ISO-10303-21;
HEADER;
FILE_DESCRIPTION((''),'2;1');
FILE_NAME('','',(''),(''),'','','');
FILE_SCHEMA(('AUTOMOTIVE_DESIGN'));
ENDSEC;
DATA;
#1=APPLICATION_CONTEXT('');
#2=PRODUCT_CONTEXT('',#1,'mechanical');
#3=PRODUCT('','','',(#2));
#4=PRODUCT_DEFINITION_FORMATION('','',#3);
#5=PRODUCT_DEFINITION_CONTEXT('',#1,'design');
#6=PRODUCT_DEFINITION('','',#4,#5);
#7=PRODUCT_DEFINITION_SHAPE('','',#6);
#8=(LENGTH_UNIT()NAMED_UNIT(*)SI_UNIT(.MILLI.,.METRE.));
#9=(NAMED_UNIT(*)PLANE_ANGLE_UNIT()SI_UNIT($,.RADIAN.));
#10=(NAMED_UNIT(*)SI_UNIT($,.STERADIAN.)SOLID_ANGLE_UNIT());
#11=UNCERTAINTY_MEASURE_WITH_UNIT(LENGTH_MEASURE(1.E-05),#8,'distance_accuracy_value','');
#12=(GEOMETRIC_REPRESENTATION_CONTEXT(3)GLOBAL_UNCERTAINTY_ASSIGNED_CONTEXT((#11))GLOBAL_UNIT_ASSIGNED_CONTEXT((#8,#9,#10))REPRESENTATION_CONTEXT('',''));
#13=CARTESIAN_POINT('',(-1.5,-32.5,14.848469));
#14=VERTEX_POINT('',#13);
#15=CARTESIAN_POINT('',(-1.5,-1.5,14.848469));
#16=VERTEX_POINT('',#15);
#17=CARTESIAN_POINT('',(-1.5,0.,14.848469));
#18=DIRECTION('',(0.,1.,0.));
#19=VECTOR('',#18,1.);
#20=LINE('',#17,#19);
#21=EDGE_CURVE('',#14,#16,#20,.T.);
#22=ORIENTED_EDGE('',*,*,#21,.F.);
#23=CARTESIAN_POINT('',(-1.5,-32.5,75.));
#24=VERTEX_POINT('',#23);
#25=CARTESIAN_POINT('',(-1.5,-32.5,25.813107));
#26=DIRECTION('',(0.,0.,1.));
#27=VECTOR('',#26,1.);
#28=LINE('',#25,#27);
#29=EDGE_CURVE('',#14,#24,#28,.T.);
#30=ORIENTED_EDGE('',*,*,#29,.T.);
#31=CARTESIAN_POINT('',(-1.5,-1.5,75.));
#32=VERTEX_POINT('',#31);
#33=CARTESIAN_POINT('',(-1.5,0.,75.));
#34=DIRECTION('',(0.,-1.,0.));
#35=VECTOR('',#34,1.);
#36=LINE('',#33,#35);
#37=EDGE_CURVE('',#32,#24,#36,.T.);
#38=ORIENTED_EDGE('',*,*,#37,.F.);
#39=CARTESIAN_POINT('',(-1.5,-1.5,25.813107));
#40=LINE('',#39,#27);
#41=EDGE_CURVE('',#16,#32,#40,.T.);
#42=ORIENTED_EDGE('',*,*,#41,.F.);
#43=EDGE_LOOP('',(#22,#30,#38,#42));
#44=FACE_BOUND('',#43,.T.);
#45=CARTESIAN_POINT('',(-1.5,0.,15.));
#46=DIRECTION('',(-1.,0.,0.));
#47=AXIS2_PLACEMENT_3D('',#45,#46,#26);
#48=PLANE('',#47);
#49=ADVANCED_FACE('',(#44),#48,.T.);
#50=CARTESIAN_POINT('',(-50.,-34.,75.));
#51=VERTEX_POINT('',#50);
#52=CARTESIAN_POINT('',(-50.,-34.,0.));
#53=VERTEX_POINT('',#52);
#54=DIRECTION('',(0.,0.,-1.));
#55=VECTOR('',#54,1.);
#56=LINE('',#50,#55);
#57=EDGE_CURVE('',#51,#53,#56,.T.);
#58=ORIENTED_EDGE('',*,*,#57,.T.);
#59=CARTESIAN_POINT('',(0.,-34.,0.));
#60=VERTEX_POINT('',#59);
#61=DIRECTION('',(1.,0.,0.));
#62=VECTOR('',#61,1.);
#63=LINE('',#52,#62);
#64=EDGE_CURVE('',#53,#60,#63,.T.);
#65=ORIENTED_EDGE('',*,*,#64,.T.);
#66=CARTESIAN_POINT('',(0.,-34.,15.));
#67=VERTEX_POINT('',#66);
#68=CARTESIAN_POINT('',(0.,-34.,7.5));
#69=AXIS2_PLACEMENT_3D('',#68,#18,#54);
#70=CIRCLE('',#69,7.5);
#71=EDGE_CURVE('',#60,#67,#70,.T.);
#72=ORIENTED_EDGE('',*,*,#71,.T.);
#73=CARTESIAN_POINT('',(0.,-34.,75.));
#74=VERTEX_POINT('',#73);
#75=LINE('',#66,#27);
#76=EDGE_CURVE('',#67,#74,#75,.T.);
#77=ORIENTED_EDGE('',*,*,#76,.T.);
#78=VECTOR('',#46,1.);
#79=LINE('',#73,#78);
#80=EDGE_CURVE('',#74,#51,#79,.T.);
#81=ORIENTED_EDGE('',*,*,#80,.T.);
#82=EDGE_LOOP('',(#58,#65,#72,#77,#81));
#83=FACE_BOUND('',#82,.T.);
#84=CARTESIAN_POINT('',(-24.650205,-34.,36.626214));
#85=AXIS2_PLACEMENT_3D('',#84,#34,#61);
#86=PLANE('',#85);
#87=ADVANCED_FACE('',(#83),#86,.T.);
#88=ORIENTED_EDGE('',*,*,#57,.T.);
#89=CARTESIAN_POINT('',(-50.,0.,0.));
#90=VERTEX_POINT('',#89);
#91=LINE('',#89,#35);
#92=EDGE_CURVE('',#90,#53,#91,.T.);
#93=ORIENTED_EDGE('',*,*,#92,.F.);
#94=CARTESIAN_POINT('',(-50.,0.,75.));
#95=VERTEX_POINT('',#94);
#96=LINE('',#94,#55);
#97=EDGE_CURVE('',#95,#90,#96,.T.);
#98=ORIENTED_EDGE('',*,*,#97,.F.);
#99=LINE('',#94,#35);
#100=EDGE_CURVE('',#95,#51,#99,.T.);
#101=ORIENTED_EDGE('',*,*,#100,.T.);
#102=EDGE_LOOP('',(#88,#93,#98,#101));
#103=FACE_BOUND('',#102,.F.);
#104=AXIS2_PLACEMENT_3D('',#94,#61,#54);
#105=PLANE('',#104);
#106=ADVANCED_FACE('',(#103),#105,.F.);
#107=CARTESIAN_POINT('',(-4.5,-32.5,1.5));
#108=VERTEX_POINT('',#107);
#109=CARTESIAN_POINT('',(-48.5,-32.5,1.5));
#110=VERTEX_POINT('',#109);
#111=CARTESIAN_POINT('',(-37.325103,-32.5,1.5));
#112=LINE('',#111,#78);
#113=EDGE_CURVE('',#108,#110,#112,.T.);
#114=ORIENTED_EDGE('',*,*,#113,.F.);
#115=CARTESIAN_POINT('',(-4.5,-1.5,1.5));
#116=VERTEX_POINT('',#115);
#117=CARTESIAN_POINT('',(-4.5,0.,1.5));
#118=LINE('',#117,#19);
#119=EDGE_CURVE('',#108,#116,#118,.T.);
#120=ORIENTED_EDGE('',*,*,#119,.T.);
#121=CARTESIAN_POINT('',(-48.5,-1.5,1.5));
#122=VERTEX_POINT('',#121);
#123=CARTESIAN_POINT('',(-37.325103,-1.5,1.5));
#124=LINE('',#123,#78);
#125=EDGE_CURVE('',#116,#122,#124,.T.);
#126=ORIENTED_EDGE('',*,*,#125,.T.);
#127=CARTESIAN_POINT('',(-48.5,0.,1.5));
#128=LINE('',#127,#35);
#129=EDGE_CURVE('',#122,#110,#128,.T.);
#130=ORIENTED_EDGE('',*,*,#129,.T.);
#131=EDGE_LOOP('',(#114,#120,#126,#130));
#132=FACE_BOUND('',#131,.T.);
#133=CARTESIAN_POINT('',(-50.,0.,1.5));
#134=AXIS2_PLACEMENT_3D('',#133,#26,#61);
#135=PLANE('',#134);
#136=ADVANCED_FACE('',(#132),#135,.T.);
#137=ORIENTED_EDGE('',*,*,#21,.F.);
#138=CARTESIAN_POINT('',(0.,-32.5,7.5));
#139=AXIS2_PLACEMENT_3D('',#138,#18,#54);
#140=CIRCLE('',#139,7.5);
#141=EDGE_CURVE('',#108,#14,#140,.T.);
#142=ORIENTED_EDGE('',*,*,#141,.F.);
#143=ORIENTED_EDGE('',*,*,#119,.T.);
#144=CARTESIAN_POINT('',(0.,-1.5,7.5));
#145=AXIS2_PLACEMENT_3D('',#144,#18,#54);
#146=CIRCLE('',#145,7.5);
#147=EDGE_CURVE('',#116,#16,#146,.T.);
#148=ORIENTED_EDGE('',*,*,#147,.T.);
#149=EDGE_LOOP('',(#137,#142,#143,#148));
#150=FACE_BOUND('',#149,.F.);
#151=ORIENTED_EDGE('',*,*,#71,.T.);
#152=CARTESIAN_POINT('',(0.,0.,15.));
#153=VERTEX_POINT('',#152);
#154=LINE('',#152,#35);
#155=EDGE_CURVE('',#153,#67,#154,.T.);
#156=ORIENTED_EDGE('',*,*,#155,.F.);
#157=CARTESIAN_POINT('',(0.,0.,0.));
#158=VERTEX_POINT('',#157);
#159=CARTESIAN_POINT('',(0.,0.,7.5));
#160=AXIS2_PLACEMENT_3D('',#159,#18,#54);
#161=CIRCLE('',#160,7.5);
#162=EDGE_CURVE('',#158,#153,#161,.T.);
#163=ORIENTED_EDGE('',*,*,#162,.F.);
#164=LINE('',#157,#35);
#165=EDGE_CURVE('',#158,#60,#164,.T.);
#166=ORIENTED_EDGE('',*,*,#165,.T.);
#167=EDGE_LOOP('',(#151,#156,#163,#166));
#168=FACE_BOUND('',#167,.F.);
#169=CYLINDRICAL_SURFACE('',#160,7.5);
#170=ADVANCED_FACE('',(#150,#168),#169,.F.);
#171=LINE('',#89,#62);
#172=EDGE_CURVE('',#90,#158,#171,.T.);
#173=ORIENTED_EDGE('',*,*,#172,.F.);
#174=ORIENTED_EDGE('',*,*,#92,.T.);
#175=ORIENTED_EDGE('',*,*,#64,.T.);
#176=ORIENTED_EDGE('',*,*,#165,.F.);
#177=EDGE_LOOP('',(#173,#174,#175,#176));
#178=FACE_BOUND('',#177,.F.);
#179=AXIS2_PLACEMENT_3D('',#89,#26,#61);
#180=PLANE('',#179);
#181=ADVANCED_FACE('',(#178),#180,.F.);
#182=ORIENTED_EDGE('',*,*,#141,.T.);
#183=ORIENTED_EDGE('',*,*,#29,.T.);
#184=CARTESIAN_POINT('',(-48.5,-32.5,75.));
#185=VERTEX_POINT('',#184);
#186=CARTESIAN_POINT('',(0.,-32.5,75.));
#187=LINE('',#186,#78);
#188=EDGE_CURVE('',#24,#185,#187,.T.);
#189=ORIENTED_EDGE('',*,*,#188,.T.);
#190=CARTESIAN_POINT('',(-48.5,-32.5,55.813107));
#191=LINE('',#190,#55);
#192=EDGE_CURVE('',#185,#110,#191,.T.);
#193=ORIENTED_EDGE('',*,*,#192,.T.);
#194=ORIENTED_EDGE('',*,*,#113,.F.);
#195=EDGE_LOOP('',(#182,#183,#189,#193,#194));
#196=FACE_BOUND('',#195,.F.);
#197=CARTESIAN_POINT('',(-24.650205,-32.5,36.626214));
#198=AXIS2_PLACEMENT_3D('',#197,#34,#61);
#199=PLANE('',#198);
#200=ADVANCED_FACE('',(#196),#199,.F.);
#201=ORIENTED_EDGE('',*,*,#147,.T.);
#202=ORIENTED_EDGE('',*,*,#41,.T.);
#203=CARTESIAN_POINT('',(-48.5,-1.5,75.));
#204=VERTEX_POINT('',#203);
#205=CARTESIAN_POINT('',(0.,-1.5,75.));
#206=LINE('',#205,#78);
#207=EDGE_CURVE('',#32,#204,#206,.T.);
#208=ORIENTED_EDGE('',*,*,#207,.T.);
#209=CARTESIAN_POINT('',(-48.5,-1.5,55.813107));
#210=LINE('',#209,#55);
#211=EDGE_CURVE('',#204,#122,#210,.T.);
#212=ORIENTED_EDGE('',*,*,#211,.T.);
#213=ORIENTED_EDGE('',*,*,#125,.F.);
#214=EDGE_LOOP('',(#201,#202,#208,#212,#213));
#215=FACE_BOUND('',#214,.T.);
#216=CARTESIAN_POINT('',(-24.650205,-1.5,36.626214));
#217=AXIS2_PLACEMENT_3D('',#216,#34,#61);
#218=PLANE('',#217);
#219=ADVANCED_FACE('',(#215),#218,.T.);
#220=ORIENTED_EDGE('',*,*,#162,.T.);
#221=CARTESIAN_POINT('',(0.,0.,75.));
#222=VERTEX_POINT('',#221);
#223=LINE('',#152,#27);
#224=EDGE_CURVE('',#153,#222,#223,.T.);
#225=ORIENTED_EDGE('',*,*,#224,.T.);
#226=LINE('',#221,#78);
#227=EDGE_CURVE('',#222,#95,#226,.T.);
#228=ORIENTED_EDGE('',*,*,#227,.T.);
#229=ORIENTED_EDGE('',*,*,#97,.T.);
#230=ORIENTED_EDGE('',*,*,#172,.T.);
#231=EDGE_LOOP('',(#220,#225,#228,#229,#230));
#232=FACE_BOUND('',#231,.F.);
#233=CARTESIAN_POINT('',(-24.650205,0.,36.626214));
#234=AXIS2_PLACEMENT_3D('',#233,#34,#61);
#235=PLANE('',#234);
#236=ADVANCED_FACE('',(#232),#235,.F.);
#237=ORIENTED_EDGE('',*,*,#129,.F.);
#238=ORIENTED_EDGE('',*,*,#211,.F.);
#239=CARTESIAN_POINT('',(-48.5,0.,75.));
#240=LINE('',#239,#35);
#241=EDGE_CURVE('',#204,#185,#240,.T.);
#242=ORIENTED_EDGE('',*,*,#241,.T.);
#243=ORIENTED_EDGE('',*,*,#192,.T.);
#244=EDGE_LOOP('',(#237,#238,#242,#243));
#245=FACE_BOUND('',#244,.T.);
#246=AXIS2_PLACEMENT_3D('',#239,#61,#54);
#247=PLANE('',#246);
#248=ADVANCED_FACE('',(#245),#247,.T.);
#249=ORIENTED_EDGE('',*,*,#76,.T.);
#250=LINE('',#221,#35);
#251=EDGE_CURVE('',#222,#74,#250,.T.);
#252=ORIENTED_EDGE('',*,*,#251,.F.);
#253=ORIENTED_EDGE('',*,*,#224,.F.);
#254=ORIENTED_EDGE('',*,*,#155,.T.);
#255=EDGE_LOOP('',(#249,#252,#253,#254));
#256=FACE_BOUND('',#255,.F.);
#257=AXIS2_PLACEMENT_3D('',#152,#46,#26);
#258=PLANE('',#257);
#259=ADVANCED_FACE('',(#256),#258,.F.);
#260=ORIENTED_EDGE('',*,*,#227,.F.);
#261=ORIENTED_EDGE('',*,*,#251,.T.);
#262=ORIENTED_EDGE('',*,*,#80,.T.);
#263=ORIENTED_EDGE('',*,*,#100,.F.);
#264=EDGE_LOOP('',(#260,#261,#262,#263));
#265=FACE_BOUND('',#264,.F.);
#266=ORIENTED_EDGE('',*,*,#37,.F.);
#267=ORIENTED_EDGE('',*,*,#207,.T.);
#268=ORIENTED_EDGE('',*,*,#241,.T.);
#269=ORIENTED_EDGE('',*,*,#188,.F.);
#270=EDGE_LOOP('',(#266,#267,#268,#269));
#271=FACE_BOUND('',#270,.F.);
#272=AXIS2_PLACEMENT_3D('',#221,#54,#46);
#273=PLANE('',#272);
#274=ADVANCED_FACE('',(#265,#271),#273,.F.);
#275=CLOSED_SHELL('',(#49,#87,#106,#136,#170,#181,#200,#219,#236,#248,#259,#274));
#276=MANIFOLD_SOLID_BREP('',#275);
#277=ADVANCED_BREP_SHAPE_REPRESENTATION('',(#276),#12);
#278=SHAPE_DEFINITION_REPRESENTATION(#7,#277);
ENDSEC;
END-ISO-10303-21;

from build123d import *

# Parameters (mm, degrees)
F1_DEPTH = 34
F2_T     = -1.5


with BuildPart() as f1:
    # F0 (on Front) → F1 (new body)
    with BuildSketch(Plane.XZ):
        with BuildLine():
            Line((0, 75), (-50, 75))
            Line((-50, 75), (-50, 0))
            Line((-50, 0), (0, 0))
            ThreePointArc((0, 0), (-7.5, 7.5), (0, 15))
            Line((0, 15), (0, 75))
        make_face()
    extrude(amount=F1_DEPTH)

    # F2
    f2_openings = [f1.faces().sort_by_distance(p)[0] for p in [
        (-25, -17, 75),
        (-7.5, -17, 7.5),
    ]]
    offset(amount=F2_T, openings=f2_openings)


solid = f1.part
